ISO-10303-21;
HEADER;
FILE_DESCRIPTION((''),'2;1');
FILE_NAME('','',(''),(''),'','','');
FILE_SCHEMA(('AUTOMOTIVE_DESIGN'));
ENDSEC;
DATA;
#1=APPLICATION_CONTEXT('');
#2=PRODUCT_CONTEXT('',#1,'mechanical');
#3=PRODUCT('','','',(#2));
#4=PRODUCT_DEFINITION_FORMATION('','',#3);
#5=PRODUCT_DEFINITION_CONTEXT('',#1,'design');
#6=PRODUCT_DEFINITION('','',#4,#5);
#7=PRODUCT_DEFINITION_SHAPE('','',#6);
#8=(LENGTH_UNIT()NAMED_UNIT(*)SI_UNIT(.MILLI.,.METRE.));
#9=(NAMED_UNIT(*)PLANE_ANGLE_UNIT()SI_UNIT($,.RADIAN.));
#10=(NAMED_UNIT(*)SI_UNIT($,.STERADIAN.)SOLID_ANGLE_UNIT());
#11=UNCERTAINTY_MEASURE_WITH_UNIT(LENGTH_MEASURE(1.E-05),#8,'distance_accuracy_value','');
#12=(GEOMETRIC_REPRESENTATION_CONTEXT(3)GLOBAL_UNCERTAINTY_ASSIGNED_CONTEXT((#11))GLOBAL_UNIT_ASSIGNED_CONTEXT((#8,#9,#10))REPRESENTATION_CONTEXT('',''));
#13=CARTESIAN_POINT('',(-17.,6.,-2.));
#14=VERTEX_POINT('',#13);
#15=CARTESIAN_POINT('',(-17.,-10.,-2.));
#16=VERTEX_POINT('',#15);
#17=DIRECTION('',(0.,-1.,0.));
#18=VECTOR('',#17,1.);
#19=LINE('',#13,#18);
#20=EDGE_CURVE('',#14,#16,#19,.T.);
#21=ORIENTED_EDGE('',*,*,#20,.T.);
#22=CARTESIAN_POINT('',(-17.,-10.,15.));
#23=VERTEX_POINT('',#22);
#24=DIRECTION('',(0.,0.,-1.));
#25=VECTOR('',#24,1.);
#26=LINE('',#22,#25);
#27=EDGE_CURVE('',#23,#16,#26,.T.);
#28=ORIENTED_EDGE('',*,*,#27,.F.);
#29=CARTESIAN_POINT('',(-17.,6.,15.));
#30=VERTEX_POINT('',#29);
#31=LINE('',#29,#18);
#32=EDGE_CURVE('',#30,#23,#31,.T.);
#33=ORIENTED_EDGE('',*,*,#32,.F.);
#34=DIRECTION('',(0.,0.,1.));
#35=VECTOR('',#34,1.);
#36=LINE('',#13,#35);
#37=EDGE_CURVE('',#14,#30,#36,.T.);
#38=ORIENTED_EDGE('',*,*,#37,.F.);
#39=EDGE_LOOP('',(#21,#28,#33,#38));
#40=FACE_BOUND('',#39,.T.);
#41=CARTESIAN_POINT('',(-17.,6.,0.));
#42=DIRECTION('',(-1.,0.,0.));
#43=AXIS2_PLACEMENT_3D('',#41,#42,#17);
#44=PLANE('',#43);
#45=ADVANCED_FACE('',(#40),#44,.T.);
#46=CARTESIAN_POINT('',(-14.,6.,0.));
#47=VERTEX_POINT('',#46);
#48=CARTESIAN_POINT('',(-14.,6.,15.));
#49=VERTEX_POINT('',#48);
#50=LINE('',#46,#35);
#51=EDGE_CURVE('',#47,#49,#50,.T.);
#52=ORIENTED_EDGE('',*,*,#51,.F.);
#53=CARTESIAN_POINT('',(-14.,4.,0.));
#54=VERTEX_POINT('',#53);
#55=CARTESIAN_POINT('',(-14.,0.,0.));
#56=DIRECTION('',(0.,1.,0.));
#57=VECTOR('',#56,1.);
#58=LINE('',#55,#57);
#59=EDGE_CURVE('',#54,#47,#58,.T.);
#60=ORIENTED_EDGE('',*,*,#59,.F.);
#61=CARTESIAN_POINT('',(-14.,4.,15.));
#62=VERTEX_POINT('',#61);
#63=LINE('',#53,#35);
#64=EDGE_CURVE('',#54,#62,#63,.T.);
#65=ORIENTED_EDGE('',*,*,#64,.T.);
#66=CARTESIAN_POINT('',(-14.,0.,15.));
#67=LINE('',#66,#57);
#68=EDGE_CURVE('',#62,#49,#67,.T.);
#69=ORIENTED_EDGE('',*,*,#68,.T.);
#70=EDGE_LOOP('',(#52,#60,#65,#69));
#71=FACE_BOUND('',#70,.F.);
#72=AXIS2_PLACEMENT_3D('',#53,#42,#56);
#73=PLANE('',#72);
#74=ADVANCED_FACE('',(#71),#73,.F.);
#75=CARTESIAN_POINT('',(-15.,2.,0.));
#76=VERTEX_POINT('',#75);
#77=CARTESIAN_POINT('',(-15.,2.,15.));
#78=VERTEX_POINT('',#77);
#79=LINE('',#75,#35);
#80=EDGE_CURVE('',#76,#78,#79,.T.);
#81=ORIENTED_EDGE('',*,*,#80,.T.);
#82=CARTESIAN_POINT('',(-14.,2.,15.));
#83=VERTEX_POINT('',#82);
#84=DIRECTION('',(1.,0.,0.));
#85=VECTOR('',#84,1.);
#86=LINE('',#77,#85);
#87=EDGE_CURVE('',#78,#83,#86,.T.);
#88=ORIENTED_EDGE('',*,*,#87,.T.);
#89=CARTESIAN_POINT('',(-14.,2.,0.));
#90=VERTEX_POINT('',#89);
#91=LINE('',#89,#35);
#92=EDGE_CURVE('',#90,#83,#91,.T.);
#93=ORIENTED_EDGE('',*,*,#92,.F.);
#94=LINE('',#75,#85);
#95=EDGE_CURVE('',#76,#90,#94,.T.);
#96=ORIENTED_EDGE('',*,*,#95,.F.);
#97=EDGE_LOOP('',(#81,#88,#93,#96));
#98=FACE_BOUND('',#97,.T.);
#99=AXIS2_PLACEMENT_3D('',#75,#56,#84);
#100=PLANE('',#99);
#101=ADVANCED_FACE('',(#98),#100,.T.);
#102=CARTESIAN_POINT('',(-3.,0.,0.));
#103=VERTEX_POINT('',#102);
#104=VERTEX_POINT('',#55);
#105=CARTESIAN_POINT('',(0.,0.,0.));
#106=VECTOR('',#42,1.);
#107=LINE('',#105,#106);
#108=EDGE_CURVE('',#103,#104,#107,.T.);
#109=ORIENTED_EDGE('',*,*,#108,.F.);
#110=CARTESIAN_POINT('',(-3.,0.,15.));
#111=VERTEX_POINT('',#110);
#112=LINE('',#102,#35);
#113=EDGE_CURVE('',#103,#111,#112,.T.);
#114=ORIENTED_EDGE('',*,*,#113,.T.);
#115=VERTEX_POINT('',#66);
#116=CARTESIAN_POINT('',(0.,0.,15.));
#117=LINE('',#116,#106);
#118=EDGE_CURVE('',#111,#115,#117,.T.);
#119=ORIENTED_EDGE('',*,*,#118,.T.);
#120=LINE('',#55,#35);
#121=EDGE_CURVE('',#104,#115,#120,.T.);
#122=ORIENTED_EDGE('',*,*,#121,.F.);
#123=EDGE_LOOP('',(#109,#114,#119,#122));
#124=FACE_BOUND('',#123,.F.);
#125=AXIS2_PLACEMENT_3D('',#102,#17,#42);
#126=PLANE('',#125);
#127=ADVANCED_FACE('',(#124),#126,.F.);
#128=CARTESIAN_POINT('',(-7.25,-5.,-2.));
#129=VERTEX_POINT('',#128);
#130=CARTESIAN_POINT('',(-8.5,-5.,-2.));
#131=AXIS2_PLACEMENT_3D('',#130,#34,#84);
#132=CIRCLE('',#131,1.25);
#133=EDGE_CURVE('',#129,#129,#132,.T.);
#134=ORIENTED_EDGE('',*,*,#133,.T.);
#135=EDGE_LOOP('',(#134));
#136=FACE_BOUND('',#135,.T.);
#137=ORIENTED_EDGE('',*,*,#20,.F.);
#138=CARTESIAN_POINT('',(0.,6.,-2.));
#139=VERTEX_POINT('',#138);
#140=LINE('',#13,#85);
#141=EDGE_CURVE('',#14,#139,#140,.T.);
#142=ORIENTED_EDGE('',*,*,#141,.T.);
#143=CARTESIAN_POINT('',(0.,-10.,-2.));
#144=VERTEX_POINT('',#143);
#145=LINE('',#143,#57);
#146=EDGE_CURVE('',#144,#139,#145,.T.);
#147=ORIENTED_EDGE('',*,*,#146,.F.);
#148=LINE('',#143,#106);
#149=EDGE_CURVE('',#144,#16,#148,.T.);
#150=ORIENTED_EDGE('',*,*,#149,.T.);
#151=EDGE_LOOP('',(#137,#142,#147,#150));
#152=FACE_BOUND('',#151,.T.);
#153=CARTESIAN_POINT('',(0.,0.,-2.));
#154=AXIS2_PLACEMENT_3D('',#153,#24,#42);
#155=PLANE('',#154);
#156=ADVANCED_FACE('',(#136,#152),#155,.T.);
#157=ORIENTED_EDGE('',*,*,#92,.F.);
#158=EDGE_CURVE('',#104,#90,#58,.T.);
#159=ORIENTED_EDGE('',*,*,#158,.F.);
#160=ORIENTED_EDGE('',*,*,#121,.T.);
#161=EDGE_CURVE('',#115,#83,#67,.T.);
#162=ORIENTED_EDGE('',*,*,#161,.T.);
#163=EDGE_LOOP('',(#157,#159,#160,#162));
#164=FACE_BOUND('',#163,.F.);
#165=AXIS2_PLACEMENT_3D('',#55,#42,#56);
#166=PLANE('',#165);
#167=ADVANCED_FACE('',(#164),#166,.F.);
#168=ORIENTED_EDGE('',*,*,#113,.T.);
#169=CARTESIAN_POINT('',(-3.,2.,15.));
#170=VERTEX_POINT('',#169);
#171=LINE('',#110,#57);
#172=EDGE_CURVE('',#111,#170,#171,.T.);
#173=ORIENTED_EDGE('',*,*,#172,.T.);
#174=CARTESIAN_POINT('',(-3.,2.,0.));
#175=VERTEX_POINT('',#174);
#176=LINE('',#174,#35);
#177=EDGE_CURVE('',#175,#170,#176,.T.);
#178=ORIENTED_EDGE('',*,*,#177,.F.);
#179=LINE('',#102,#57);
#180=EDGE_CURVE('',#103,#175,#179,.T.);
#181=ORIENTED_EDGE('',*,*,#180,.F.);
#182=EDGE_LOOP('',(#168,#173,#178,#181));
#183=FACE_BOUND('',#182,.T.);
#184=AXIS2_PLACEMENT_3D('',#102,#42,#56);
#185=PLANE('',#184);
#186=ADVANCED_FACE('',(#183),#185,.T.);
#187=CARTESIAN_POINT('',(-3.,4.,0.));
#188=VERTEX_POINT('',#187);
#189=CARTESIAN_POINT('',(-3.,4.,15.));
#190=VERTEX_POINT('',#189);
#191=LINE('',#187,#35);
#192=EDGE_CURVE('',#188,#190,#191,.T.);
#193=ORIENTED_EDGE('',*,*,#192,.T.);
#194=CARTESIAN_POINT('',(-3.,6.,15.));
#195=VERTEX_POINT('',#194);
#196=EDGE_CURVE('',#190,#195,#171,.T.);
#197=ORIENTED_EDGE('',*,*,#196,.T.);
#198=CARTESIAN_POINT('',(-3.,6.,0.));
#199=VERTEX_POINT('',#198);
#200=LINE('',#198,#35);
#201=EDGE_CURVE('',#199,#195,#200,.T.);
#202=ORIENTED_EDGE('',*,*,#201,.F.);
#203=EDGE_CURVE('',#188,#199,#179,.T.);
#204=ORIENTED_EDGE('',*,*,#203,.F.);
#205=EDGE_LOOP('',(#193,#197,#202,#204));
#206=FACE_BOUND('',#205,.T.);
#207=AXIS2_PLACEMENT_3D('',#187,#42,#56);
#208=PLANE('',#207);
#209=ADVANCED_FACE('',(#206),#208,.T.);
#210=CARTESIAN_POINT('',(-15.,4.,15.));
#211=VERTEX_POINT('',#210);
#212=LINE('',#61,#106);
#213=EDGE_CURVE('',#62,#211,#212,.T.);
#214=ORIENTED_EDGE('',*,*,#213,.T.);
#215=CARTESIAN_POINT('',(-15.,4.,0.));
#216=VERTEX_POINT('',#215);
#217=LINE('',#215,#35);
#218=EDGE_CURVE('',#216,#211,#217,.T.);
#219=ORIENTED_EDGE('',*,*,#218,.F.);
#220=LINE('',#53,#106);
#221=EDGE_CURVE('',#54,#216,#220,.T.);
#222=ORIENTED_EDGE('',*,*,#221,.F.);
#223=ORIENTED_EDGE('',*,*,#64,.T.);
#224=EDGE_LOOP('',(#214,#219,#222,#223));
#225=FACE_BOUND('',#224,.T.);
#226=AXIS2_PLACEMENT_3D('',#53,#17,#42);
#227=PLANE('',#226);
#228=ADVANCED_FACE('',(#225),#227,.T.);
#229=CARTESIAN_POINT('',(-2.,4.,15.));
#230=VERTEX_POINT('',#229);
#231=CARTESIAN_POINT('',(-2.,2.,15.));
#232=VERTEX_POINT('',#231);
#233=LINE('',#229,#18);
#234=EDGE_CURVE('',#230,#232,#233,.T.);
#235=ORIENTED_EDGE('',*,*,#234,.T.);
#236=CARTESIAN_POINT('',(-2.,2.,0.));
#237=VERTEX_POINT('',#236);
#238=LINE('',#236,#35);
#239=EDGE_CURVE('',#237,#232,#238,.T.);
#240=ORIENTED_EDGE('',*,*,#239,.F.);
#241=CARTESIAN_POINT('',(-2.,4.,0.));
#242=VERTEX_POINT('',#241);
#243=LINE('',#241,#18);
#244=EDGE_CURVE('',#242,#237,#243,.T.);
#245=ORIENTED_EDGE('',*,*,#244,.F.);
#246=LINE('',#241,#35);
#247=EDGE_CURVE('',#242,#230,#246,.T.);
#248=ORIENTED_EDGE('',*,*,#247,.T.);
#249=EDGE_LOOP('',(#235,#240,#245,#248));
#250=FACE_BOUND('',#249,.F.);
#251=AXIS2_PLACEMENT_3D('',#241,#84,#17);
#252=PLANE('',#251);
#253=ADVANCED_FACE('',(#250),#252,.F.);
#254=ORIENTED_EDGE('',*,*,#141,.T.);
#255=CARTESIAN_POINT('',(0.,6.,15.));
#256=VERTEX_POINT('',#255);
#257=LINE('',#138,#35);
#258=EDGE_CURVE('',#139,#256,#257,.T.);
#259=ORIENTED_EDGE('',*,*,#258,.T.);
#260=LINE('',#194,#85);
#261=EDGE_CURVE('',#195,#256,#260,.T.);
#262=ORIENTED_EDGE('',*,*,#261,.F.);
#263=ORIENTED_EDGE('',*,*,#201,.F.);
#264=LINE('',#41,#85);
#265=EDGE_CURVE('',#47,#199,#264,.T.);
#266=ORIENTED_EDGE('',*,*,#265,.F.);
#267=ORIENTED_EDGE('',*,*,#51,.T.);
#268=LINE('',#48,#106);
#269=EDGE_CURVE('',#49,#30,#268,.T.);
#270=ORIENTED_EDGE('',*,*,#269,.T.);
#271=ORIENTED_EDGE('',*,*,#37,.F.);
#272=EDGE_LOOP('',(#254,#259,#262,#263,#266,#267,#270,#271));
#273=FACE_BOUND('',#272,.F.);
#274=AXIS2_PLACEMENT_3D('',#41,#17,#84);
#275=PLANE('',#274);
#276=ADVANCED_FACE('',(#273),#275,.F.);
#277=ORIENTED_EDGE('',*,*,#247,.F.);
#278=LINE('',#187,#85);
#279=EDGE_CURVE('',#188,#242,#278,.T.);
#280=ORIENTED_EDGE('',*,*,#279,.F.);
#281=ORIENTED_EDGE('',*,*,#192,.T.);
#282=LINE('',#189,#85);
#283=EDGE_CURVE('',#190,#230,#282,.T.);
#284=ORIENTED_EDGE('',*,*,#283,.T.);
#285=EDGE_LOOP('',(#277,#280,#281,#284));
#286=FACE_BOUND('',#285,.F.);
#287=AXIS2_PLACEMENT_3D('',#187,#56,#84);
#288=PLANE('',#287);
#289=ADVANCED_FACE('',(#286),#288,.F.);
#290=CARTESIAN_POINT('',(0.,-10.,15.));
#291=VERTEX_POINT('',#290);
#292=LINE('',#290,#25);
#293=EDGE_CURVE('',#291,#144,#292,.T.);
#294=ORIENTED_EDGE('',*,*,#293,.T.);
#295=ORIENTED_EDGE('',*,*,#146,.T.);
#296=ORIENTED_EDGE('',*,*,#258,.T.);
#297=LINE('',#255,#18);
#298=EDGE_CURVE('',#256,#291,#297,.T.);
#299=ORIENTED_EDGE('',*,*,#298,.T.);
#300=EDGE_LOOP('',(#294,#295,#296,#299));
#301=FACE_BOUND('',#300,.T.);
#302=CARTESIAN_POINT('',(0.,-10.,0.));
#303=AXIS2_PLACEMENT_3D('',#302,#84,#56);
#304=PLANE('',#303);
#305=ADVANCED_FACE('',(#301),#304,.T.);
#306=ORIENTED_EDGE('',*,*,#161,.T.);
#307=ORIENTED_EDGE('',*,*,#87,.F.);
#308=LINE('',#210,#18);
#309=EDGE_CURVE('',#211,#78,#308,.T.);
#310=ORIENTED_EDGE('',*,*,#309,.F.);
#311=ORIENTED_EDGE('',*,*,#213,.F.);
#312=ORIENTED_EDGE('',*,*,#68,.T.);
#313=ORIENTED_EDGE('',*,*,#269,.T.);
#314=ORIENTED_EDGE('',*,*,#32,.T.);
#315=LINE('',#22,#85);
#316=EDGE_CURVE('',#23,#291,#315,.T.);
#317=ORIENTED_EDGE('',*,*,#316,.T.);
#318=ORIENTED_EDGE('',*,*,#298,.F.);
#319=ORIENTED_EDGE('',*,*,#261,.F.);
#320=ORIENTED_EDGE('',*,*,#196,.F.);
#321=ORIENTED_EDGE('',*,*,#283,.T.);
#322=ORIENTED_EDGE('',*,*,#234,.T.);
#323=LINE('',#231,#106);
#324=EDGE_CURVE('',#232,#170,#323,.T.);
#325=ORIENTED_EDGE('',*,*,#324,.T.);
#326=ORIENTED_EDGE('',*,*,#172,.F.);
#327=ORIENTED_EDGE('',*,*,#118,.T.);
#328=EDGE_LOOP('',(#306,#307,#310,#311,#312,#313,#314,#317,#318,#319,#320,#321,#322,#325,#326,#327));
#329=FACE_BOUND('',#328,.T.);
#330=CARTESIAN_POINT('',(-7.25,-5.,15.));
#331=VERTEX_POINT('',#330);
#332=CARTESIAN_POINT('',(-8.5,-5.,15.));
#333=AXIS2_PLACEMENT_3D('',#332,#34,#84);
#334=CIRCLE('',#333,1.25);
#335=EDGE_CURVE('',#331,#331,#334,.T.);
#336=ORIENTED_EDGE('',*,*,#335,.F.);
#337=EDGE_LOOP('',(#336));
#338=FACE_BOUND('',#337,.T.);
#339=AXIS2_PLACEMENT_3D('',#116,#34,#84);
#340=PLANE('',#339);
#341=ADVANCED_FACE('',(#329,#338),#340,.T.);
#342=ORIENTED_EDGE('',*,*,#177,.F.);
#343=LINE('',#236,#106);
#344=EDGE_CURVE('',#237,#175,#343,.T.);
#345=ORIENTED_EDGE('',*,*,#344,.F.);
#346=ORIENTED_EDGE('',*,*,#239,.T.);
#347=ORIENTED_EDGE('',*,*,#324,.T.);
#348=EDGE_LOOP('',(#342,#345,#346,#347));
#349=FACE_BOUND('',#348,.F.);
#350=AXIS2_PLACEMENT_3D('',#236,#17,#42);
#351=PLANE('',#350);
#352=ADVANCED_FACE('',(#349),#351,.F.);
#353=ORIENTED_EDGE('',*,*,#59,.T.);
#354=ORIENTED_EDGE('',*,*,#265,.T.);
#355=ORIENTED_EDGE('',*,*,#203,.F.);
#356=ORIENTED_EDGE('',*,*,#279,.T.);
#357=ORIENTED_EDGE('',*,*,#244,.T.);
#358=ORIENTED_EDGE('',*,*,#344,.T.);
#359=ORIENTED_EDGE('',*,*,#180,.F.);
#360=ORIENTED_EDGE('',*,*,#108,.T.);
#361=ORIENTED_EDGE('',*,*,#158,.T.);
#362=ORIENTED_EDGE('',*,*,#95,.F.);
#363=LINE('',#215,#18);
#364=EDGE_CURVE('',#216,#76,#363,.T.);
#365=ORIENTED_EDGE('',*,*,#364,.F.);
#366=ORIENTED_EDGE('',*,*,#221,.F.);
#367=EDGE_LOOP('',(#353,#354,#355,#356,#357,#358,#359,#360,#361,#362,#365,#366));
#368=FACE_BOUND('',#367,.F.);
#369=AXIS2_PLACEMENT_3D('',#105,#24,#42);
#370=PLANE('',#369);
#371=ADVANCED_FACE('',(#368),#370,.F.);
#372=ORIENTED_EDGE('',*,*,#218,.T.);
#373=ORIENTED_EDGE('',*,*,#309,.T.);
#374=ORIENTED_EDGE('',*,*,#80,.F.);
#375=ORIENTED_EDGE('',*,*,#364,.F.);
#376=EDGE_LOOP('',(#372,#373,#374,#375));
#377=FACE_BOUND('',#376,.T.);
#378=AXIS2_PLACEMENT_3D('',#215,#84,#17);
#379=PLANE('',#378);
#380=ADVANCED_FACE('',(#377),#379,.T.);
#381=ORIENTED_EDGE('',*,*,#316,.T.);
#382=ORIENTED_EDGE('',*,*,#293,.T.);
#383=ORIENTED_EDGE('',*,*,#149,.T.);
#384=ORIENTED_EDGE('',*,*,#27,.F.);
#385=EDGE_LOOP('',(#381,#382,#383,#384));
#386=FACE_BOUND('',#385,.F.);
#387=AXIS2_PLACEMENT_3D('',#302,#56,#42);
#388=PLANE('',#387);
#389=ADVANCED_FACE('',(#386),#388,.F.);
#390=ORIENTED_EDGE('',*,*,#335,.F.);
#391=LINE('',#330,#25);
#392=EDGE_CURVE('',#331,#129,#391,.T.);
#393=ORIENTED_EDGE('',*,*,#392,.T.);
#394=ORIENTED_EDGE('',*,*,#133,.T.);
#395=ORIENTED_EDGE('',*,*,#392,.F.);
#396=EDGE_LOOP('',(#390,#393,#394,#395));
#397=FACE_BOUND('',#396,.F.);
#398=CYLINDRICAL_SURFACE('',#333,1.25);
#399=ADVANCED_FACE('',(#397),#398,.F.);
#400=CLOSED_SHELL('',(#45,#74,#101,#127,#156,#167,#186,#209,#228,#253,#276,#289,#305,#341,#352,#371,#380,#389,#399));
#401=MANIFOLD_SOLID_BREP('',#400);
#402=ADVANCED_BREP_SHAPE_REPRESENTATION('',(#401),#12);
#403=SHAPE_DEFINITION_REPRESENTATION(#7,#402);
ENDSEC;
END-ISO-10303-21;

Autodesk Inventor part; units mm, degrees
ref_plane "YZ Plane" through (0, 0, 0) normal (1, 0, 0) x (0, 1, 0)
ref_plane "XZ Plane" through (0, 0, 0) normal (0, 1, 0) x (-1, 0, 0)
ref_plane "XY Plane" through (0, 0, 0) normal (0, 0, 1) x (1, 0, 0)
sketch "Sketch1" plane through (0, 0, 0) normal (0, 0, 1) x (1, 0, 0)
  line L0 (0, 0) -> (-17, 0)
  line L1 (-17, 0) -> (-17, -10)
  line L2 (-17, -10) -> (0, -10)
  line L3 (0, -10) -> (0, 0)
  line L4 (-17, 0) -> (-14, 0)
  line L5 (-14, 0) -> (-14, 6)
  line L6 (-14, 6) -> (-17, 6)
  line L7 (-17, 6) -> (-17, 0)
  line L8 (-14, 4) -> (-15, 4)
  line L9 (-15, 4) -> (-15, 2)
  line L10 (-15, 2) -> (-14, 2)
  line L11 (-14, 2) -> (-14, 4)
  line L12 (0, 0) -> (-3, 0)
  line L13 (-3, 0) -> (-3, 6)
  line L14 (-3, 6) -> (0, 6)
  line L15 (0, 6) -> (0, 0)
  line L16 (-3, 4) -> (-2, 4)
  line L17 (-2, 4) -> (-2, 2)
  line L18 (-2, 2) -> (-3, 2)
  line L19 (-3, 2) -> (-3, 4)
  dimension "d1" = 10
  dimension "d10" = 13
  dimension "d11" = 2
  dimension "d12" = 2
  dimension "d13" = 2
  dimension "d14" = 2
  dimension "d15" = 2
  dimension "d16" = 1
  dimension "d17" = 1
extrude "Extrusion1" add sketch "Sketch1" along normal blind 15 contours L3 L2 L1 L0 | L0 L13 L18 L17 L16 L14 L15 | L0 L7 L6 L5 L8 L9 L10
sketch "Sketch2" plane through (0, 0, 15) normal (0, 0, 1) x (1, 0, 0)
  circle A0 centre (-8.5, -5) radius 1.25
  line L0 (0, 0) -> (-14, 0) projected
  point P0 (-17, 0)
  point P1 (-8.5, 0)
  dimension "d4" = 5
  dimension "d5" = 2.5
sketch "Sketch4" plane through (0, 0, 0) normal (0, 0, -1) x (-1, 0, 0)
  line L0 (0, -10) -> (0, 6) projected
  line L1 (17, 6) -> (17, -10) projected
  line L2 (0, -10) -> (17, -10)
  line L3 (17, -10) -> (17, 6)
  line L4 (17, 6) -> (0, 6)
  line L5 (0, 6) -> (0, -10)
  point P0 (0, 0)
  point P1 (0, 6)
extrude "Extrusion3" add sketch "Sketch4" along normal blind 2
extrude "Extrusion4" cut sketch "Sketch2" against normal through all
equation "\"d15\" = d11"
equation "\"d16\" = d17"
properties part number "usb port mount"
